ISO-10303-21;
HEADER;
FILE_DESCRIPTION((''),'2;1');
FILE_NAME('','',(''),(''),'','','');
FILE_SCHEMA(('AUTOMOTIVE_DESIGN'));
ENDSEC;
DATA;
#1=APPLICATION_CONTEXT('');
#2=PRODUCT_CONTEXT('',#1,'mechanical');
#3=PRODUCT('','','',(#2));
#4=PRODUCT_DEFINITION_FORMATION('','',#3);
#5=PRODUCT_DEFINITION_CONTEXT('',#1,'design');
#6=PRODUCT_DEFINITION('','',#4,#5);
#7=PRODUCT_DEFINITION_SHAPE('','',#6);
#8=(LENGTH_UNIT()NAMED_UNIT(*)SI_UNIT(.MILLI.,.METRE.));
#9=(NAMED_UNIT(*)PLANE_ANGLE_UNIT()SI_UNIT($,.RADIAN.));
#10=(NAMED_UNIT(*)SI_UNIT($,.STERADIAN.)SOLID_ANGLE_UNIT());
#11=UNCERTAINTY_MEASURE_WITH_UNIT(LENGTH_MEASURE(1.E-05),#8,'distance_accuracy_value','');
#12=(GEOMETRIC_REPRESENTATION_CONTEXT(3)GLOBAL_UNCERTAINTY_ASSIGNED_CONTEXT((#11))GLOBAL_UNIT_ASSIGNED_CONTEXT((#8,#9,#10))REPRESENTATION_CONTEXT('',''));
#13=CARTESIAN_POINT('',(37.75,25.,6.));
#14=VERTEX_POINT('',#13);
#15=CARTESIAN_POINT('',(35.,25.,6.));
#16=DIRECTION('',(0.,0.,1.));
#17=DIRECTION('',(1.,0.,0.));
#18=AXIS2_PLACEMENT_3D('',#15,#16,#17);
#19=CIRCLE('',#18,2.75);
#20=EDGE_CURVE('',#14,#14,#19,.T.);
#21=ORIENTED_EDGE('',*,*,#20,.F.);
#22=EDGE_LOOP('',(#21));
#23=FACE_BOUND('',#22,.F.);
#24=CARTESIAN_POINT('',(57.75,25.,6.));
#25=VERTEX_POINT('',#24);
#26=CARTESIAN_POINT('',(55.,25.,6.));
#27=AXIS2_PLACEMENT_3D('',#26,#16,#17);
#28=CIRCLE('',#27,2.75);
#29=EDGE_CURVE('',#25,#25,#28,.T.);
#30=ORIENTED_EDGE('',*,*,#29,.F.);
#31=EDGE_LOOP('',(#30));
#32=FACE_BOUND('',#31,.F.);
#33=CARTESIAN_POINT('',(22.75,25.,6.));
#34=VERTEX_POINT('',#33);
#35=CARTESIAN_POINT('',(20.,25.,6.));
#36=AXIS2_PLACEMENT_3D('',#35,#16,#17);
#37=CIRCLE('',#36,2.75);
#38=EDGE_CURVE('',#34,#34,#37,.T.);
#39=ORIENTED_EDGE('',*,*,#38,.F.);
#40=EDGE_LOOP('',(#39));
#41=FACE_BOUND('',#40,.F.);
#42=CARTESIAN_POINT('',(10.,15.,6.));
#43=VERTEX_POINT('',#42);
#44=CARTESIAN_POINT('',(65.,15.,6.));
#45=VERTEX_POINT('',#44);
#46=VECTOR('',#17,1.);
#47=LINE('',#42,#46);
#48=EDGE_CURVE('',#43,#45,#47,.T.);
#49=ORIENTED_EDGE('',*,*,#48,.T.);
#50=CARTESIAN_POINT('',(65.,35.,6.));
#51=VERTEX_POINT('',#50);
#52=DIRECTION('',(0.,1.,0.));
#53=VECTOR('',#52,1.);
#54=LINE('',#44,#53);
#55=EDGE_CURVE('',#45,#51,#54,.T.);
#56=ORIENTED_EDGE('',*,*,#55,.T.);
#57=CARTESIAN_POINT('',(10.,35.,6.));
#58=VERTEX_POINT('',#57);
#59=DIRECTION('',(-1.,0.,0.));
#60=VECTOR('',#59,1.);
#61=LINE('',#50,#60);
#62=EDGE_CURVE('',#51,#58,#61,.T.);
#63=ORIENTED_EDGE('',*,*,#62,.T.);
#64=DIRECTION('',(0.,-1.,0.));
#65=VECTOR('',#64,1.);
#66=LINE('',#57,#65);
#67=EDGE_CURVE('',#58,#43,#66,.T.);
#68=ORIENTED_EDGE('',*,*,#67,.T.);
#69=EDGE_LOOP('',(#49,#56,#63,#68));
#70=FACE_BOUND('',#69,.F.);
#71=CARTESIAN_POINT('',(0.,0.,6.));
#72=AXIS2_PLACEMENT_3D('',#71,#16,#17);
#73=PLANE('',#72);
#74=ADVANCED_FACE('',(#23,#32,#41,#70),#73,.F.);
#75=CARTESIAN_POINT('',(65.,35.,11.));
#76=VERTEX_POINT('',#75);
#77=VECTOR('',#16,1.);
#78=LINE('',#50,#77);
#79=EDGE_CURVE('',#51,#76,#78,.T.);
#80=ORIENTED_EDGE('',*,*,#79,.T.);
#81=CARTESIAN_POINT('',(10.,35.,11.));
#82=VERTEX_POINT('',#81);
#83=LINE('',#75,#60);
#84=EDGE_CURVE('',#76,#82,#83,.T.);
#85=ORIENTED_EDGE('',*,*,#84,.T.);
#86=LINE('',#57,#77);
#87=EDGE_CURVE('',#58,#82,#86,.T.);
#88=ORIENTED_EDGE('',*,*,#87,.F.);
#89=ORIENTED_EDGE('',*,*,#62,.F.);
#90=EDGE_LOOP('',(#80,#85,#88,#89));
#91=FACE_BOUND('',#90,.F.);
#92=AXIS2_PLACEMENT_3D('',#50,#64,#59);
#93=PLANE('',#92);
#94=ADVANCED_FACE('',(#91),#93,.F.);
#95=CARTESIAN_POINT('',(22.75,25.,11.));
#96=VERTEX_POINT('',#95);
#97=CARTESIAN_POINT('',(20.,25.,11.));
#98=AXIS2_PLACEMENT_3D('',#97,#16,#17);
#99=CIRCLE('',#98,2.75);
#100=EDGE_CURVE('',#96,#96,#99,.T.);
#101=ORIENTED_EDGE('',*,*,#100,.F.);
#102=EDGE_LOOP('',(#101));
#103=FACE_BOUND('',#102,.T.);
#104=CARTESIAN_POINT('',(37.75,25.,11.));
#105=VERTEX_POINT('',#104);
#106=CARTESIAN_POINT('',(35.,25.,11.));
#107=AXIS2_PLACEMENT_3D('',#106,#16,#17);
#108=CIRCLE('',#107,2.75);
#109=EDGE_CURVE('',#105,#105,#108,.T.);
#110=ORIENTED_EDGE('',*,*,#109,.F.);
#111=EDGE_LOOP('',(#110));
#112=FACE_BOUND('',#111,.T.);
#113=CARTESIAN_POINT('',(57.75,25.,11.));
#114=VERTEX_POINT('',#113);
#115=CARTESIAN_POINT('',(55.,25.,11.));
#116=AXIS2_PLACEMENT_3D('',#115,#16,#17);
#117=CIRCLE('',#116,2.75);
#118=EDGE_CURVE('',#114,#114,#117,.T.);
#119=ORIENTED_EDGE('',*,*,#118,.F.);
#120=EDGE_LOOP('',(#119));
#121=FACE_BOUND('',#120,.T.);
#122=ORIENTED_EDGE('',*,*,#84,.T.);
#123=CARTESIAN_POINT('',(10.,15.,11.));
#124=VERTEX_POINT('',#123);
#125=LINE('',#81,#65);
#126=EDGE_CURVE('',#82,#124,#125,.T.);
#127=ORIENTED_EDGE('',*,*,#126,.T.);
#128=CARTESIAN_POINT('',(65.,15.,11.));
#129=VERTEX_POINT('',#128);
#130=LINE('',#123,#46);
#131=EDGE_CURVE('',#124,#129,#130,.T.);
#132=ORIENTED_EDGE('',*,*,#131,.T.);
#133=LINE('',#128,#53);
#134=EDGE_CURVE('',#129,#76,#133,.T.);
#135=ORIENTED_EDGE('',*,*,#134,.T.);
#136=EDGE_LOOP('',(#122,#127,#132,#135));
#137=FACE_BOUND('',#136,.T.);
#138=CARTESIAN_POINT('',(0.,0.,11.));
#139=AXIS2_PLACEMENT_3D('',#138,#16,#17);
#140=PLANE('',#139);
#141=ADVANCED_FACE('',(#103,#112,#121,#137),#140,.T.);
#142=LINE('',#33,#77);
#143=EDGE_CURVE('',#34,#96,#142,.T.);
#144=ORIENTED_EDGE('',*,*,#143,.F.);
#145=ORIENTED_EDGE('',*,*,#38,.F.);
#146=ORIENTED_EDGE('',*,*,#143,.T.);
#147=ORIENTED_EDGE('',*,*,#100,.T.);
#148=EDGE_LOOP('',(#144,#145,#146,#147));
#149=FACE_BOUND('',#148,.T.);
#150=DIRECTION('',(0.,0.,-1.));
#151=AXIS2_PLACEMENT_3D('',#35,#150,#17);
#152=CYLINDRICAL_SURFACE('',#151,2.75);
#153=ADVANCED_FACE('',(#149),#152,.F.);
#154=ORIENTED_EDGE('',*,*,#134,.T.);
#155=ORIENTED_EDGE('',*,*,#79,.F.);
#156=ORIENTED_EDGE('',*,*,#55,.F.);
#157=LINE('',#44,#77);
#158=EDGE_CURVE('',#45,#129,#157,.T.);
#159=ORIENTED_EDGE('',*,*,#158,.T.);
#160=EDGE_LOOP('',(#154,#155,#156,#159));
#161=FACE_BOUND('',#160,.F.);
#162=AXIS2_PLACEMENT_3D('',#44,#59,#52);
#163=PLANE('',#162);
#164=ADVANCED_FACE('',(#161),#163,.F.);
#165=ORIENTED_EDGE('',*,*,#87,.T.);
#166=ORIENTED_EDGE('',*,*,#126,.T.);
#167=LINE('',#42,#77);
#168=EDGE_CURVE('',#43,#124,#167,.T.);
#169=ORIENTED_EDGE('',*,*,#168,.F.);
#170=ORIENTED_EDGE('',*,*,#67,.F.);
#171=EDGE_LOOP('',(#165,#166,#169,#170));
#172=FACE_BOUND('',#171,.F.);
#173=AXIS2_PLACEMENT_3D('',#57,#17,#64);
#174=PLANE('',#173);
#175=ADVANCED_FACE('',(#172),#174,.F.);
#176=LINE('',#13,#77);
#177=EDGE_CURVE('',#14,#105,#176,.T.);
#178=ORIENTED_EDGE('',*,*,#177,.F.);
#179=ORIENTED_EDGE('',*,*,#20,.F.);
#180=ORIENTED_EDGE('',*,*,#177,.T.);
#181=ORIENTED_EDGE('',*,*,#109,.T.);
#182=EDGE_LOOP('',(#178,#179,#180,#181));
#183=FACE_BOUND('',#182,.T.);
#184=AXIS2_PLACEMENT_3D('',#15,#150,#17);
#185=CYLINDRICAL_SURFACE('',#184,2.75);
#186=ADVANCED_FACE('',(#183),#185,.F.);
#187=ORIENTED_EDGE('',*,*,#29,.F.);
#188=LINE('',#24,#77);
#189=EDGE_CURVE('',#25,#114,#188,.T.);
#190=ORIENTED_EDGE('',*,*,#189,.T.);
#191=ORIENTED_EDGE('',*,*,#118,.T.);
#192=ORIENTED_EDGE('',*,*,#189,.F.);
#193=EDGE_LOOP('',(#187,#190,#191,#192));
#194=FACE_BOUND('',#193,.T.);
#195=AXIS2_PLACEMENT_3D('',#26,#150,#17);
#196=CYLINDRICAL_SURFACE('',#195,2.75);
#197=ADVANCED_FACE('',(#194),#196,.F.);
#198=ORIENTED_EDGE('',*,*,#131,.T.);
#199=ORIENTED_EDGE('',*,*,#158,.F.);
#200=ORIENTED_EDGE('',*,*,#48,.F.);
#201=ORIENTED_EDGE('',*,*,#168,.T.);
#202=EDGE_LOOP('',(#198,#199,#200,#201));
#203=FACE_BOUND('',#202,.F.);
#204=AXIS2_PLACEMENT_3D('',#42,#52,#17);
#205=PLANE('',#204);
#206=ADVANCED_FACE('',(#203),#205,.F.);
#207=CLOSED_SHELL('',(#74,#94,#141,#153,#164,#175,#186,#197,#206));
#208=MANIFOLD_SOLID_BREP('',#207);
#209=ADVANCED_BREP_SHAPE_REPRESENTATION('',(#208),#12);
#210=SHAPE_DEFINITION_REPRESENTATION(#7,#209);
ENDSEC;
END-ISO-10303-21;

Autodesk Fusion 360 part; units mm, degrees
sketch "Sketch1" plane through (0, 0, 0) normal (0, 0, 1) x (1, 0, 0)
  line L0 (10, 15) -> (65, 15)
  line L1 (65, 15) -> (65, 35)
  line L2 (65, 35) -> (10, 35)
  line L3 (10, 35) -> (10, 15)
  line L4 (10, 15) -> (65, 35) construction
  line L5 (65, 15) -> (10, 35) construction
  line L6 (20, 45) -> (20, 5) construction
  line L7 (35, 5) -> (35, 45) construction
  line L8 (55, 45) -> (55, 5) construction
  line L9 (2.8161, 25) -> (72.658, 25) construction
  circle A0 centre (20, 25) radius 2.75
  circle A1 centre (35, 25) radius 2.75
  circle A2 centre (55, 25) radius 2.75
  point P0 (37.5, 25)
  dimension "d1" = 20
  dimension "d2" = 55
  dimension "d3" = 10
  dimension "d4" = 25
  dimension "d5" = 45
  dimension "d6" = 5.5
  dimension "d7" = 5.5
  dimension "d8" = 5.5
extrude "Extrude1" add sketch "Sketch1" along normal blind 6 makes body 1
sketch "Sketch3" plane through (0, 0, 6) normal (0, 0, 1) x (1, 0, 0)
  circle A0 centre (20, 25) radius 2.75
  circle A1 centre (55, 25) radius 2.75
  circle A2 centre (35, 25) radius 2.75
  line L0 (10, 35) -> (10, 15)
  line L1 (10, 15) -> (65, 15)
  line L2 (65, 15) -> (65, 35)
  line L3 (65, 35) -> (10, 35)
  circle A3 centre (35, 25) radius 2.75
  circle A4 centre (55, 25) radius 2.75
  circle A5 centre (20, 25) radius 2.75
  line L4 (65, 35) -> (10, 35)
  line L5 (65, 15) -> (65, 35)
  line L6 (10, 15) -> (65, 15)
  line L7 (10, 35) -> (10, 15)
extrude "Extrude2" add sketch "Sketch3" along normal blind 5 separate body makes body 2
hidden bodies 1
